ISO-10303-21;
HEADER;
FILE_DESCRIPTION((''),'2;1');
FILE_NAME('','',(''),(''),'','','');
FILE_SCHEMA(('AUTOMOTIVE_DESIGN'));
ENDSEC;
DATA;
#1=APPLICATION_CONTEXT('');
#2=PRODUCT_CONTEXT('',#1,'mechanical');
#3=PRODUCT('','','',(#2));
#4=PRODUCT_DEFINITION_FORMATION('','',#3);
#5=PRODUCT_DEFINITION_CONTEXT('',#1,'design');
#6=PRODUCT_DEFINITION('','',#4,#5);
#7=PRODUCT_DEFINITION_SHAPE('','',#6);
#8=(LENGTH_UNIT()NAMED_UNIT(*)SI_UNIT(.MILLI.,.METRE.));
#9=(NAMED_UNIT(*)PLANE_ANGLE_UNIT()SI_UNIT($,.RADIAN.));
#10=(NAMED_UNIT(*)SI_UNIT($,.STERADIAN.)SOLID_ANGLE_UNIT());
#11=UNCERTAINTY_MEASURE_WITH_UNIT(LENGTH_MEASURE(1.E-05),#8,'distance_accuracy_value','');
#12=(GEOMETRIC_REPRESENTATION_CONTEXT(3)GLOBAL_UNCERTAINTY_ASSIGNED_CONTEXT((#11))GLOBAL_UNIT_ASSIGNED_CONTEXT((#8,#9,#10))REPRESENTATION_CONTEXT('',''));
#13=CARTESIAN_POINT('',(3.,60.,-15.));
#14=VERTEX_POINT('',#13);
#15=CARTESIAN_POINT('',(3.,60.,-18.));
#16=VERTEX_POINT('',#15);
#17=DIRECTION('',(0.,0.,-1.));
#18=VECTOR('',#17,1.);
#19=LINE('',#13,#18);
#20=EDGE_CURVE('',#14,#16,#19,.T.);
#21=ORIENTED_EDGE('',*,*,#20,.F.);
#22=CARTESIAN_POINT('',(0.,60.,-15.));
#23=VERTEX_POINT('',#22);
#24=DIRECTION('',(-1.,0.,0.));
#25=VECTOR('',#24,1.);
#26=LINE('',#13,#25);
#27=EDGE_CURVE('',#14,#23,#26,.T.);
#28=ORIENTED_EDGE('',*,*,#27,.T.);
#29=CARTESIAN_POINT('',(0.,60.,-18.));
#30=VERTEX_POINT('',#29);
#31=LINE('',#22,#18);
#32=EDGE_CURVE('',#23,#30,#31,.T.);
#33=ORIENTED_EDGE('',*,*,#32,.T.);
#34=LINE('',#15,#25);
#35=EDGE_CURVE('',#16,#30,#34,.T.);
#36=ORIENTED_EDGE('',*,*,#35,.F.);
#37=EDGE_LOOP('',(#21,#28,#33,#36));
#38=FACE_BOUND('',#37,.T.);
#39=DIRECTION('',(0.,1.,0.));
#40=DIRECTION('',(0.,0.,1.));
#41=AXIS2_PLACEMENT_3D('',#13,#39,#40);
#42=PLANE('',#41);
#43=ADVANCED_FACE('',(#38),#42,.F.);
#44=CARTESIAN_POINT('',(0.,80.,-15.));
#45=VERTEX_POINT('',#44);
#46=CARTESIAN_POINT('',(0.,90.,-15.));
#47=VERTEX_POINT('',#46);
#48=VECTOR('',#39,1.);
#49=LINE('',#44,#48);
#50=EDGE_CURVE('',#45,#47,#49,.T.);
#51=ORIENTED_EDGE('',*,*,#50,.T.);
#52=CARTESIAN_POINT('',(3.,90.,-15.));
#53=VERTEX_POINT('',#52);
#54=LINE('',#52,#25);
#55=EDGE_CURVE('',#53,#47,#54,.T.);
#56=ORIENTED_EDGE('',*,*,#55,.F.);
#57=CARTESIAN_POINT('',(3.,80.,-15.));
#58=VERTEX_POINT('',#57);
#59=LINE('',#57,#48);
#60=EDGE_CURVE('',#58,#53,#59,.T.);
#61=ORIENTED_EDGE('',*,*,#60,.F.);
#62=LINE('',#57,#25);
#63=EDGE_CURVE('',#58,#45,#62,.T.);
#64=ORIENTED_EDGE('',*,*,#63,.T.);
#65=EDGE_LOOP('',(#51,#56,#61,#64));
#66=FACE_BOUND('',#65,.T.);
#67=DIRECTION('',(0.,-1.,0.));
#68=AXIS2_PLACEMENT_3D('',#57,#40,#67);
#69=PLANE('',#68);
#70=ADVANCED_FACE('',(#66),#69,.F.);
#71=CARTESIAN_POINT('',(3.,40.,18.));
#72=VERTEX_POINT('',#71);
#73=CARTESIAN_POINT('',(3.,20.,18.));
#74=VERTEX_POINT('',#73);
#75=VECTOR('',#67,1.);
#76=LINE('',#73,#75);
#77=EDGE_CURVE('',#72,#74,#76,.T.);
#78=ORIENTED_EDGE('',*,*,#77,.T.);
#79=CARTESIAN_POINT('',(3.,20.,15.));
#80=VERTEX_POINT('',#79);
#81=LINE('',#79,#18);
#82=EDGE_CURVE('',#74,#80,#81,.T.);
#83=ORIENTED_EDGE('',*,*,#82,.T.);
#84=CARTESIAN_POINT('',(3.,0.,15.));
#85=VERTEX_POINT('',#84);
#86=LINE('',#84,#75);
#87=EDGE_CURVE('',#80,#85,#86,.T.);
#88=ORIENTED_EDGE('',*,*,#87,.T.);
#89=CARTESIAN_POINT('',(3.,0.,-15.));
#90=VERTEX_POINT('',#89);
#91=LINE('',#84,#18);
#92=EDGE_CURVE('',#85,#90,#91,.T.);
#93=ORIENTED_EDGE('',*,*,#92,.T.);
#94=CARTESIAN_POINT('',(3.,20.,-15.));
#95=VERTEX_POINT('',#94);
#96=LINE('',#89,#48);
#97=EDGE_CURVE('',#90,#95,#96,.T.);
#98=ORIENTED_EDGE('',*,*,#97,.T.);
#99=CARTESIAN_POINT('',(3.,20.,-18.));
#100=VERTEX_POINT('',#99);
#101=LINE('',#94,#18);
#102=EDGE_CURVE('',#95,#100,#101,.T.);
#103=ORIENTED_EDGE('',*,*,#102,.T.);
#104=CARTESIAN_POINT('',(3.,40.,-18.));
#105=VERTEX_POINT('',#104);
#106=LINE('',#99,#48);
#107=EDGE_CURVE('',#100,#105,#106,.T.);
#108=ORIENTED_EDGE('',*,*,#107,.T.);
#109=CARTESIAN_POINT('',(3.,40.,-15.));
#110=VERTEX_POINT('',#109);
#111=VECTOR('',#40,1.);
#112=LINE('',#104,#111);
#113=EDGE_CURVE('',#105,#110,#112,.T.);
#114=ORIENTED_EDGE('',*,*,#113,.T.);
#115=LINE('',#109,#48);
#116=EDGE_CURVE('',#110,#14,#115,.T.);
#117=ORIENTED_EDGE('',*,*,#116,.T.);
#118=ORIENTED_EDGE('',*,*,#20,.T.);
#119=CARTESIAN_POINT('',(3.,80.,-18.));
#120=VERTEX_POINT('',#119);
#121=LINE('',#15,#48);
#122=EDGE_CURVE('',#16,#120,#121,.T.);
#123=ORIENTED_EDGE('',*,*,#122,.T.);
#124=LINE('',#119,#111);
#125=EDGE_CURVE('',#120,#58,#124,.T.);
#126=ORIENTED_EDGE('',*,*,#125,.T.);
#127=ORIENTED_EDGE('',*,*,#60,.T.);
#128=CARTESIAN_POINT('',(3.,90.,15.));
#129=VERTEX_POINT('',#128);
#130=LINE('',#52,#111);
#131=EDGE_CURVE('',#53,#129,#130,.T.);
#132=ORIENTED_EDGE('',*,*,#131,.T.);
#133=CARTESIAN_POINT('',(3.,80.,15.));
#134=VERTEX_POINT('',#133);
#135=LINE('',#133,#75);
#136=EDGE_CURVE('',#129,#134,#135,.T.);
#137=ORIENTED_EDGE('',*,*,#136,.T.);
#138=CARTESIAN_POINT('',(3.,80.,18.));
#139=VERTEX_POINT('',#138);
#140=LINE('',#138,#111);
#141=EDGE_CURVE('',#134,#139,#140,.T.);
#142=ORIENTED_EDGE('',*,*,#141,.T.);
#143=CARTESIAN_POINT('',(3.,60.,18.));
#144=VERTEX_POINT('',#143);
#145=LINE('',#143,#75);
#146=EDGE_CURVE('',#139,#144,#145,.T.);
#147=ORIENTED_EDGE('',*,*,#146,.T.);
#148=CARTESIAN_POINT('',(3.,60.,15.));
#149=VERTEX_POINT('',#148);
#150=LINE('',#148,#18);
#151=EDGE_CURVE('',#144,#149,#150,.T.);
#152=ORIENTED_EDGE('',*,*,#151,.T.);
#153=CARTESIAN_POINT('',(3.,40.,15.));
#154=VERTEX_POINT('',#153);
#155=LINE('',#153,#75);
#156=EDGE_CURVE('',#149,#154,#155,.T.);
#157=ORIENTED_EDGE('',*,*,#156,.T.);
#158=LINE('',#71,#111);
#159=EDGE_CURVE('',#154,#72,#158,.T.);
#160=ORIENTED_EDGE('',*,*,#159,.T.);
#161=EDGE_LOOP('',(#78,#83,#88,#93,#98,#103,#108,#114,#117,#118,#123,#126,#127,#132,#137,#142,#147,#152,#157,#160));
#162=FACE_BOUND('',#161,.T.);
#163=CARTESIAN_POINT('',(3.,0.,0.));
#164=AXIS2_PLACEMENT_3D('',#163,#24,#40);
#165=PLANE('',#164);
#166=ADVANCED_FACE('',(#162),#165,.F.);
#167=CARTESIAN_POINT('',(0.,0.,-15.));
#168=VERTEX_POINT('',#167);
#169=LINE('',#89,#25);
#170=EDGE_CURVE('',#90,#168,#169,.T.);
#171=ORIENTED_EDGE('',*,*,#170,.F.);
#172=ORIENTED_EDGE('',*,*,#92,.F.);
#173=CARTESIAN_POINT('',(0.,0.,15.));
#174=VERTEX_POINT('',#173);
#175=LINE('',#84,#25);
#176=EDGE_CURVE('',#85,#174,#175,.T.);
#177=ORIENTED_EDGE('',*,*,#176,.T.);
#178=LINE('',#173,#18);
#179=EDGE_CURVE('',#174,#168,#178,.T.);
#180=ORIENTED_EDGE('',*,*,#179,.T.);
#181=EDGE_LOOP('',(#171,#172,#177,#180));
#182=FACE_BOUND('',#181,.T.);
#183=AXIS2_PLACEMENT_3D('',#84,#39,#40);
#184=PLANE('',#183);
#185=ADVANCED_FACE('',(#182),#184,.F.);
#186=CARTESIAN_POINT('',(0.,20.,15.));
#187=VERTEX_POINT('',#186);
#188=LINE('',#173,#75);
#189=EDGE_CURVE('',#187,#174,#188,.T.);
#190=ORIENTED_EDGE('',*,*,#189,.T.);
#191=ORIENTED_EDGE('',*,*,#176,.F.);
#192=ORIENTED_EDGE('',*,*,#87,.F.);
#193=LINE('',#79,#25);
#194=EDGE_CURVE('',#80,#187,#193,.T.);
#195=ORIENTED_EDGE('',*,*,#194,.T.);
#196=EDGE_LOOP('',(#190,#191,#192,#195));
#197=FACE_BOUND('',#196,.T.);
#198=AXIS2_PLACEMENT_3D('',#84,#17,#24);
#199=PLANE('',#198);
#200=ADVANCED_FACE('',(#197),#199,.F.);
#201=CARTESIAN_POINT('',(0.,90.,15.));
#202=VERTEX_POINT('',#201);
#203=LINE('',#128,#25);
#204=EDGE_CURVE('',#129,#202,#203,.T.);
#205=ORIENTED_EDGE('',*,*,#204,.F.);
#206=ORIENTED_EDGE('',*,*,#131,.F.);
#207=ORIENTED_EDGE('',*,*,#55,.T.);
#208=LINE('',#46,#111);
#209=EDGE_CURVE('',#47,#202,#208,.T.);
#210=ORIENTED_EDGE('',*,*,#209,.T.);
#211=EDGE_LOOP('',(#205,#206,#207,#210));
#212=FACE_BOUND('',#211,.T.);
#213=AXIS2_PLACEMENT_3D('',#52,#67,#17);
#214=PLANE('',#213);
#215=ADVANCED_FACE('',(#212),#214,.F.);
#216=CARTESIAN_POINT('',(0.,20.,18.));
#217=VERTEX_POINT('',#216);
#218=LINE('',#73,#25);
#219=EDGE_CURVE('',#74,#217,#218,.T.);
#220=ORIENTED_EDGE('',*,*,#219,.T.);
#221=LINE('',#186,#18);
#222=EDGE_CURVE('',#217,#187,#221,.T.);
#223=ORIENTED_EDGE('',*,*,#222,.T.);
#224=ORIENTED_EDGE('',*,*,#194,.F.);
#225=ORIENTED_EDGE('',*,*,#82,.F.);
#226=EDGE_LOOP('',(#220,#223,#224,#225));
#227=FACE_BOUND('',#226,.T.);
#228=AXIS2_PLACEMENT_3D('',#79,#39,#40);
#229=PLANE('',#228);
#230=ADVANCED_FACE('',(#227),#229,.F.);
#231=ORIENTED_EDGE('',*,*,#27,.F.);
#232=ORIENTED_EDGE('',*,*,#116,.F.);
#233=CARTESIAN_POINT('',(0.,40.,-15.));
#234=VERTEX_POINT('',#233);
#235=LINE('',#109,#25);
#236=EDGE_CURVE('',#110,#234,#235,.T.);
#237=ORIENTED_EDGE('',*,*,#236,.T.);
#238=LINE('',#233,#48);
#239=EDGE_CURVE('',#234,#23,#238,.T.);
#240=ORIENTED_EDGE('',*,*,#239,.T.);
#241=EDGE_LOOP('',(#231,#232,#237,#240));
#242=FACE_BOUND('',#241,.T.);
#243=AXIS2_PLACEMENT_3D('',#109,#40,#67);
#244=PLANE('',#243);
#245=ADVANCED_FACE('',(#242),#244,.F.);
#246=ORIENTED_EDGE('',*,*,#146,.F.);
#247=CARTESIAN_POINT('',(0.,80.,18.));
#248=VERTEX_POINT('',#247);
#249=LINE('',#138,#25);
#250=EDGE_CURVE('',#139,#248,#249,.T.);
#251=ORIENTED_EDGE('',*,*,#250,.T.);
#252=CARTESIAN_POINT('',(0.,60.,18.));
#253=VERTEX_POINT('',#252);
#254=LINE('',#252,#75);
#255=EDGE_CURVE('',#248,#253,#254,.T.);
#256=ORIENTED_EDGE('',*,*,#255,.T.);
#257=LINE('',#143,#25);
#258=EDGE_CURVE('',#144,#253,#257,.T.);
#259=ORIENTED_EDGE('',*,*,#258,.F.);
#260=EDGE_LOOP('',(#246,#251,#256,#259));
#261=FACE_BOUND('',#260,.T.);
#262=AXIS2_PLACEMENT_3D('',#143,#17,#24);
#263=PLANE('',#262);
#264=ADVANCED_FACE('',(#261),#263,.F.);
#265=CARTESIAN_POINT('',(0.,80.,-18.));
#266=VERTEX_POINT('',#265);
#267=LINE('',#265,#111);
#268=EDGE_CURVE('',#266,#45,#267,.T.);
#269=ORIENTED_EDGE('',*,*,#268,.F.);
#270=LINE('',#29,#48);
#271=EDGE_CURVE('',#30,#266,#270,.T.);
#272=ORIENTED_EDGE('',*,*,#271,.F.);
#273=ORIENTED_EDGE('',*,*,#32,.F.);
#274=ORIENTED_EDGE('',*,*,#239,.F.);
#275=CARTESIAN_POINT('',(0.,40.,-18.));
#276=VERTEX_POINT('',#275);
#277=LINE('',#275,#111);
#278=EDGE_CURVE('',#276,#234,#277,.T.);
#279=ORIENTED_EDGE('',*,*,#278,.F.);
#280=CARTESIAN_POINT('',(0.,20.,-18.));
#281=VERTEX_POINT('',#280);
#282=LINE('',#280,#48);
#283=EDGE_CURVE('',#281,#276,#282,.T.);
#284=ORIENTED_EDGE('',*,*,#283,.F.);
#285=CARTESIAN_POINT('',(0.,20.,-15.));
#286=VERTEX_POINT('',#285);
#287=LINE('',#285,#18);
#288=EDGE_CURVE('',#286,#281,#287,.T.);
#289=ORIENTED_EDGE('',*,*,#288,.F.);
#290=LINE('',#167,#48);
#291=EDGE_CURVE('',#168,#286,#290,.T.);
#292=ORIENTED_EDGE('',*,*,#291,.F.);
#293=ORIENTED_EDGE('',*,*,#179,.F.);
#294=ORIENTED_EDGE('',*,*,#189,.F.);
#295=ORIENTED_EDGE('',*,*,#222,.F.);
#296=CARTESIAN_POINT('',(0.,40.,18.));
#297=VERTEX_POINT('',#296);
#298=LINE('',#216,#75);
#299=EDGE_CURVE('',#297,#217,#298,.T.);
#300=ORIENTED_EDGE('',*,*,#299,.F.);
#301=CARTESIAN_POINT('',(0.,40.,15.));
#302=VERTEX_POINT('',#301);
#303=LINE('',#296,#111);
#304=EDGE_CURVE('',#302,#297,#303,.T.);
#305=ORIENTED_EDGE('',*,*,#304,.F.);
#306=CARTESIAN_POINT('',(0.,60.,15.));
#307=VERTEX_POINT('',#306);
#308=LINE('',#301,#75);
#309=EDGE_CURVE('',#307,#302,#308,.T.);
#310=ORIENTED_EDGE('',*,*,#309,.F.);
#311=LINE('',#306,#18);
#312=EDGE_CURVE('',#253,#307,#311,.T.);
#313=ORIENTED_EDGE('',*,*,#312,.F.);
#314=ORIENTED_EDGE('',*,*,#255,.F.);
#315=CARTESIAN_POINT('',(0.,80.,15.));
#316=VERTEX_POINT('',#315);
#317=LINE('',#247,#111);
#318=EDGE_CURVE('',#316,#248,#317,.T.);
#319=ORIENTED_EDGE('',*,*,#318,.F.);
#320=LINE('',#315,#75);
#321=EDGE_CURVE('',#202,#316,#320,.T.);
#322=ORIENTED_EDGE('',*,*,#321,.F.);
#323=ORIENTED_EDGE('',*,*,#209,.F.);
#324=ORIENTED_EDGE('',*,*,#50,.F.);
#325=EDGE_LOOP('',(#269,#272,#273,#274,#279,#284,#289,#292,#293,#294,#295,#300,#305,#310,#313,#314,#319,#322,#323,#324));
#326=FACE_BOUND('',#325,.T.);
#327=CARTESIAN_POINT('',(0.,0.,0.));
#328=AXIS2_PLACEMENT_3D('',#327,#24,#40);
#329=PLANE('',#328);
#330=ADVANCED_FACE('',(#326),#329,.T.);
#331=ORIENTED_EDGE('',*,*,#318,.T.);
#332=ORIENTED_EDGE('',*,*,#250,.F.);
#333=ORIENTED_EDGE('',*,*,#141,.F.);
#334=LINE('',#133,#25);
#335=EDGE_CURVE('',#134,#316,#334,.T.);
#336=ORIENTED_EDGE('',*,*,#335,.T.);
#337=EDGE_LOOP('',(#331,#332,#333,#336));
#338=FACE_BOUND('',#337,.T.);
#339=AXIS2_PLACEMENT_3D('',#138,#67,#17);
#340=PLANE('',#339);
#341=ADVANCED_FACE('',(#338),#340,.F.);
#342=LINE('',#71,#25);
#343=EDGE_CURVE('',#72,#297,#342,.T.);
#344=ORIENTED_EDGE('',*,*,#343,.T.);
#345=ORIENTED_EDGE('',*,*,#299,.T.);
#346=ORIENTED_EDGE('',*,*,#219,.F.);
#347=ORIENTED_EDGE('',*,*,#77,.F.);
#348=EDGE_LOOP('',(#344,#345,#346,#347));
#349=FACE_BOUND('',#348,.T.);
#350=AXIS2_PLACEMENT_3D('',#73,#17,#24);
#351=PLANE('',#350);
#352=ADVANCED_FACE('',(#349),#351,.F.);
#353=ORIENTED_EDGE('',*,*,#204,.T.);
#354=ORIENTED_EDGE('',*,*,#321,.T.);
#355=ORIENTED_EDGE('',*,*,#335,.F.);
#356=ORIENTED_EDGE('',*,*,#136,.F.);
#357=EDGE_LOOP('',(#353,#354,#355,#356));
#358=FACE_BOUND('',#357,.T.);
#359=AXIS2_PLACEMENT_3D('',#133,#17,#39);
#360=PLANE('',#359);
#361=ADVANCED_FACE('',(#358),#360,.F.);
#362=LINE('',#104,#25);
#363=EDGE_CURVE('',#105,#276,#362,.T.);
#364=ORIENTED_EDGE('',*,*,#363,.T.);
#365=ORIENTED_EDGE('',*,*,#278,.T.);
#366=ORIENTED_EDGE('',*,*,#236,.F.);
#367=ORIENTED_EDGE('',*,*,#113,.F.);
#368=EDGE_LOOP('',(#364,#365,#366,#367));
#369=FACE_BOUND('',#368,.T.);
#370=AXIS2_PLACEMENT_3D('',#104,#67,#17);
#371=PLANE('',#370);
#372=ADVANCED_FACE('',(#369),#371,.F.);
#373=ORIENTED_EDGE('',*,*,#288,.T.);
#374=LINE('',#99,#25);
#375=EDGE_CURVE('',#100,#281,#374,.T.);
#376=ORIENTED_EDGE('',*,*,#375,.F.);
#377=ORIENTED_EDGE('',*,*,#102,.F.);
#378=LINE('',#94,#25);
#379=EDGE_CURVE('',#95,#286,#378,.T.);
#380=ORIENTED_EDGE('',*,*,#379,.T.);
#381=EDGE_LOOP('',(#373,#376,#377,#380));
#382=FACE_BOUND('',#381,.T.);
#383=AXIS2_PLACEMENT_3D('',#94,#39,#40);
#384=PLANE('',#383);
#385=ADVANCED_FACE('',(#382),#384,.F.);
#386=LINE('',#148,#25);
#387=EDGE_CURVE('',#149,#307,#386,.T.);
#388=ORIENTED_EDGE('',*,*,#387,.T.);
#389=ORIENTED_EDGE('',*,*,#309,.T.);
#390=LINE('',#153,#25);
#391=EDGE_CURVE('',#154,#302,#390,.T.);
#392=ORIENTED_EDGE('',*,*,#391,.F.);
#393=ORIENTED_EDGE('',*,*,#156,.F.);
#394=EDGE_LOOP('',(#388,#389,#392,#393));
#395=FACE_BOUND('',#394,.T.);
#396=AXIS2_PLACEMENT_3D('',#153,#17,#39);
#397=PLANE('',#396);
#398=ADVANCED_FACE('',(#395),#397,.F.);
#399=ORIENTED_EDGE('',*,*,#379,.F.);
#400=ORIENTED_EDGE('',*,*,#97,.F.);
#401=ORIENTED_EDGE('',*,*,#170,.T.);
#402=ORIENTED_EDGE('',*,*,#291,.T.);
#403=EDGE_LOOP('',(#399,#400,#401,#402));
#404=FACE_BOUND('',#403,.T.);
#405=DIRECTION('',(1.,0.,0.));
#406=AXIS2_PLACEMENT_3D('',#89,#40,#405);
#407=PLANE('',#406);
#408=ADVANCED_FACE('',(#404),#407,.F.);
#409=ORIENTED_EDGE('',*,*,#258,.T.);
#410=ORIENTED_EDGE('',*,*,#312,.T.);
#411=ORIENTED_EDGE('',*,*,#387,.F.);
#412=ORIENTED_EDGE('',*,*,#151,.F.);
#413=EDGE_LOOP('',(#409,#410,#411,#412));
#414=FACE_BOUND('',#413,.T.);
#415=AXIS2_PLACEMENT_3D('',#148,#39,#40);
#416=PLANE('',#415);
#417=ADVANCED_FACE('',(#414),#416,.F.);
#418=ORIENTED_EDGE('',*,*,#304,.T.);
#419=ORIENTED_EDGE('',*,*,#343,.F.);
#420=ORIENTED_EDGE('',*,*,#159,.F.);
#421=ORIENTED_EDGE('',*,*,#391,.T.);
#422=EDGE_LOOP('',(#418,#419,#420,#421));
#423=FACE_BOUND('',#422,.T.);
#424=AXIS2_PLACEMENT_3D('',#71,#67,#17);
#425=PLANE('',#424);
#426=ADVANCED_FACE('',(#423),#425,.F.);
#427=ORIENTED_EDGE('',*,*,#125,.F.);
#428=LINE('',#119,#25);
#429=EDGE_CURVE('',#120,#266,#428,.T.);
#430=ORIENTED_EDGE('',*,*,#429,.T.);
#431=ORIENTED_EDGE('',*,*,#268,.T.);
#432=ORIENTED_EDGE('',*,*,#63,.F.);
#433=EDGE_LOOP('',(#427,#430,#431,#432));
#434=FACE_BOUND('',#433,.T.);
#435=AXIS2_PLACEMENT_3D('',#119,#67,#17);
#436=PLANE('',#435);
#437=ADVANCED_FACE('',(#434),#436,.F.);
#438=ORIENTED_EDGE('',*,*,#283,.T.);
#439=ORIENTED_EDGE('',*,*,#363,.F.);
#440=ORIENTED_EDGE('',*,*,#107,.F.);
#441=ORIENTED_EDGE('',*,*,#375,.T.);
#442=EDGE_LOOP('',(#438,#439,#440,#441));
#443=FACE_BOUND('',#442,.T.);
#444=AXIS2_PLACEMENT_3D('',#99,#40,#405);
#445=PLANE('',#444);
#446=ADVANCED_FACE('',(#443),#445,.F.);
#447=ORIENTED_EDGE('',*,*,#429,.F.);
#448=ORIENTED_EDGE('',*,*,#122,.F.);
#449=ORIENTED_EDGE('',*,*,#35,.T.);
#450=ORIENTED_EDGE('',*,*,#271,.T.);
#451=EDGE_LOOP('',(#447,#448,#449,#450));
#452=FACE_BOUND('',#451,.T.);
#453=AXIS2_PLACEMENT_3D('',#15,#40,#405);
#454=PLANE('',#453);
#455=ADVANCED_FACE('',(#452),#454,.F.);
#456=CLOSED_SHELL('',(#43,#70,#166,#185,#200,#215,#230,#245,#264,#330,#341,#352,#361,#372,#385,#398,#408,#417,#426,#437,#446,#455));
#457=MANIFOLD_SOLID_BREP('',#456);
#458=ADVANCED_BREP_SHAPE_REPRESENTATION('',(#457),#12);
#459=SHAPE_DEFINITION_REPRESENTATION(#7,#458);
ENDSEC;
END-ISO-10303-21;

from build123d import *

# Parameters (mm, degrees)
BOSS_EXTRUDE1_DEPTH = 3


with BuildPart() as part:
    # Sketch1 → Boss-Extrude1 (new body)
    with BuildSketch(Plane(origin=(0, 0, 0), x_dir=(0, 0, -1), z_dir=(1, 0, 0))):
        Polygon((-15, 0), (15, 0), (15, 20), (18, 20), (18, 40), (15, 40), (15, 60), (18, 60), (18, 80), (15, 80), (15, 90), (-15, 90), (-15, 80), (-18, 80), (-18, 60), (-15, 60), (-15, 40), (-18, 40), (-18, 20), (-15, 20), align=None)
    extrude(amount=BOSS_EXTRUDE1_DEPTH)


solid = part.part
